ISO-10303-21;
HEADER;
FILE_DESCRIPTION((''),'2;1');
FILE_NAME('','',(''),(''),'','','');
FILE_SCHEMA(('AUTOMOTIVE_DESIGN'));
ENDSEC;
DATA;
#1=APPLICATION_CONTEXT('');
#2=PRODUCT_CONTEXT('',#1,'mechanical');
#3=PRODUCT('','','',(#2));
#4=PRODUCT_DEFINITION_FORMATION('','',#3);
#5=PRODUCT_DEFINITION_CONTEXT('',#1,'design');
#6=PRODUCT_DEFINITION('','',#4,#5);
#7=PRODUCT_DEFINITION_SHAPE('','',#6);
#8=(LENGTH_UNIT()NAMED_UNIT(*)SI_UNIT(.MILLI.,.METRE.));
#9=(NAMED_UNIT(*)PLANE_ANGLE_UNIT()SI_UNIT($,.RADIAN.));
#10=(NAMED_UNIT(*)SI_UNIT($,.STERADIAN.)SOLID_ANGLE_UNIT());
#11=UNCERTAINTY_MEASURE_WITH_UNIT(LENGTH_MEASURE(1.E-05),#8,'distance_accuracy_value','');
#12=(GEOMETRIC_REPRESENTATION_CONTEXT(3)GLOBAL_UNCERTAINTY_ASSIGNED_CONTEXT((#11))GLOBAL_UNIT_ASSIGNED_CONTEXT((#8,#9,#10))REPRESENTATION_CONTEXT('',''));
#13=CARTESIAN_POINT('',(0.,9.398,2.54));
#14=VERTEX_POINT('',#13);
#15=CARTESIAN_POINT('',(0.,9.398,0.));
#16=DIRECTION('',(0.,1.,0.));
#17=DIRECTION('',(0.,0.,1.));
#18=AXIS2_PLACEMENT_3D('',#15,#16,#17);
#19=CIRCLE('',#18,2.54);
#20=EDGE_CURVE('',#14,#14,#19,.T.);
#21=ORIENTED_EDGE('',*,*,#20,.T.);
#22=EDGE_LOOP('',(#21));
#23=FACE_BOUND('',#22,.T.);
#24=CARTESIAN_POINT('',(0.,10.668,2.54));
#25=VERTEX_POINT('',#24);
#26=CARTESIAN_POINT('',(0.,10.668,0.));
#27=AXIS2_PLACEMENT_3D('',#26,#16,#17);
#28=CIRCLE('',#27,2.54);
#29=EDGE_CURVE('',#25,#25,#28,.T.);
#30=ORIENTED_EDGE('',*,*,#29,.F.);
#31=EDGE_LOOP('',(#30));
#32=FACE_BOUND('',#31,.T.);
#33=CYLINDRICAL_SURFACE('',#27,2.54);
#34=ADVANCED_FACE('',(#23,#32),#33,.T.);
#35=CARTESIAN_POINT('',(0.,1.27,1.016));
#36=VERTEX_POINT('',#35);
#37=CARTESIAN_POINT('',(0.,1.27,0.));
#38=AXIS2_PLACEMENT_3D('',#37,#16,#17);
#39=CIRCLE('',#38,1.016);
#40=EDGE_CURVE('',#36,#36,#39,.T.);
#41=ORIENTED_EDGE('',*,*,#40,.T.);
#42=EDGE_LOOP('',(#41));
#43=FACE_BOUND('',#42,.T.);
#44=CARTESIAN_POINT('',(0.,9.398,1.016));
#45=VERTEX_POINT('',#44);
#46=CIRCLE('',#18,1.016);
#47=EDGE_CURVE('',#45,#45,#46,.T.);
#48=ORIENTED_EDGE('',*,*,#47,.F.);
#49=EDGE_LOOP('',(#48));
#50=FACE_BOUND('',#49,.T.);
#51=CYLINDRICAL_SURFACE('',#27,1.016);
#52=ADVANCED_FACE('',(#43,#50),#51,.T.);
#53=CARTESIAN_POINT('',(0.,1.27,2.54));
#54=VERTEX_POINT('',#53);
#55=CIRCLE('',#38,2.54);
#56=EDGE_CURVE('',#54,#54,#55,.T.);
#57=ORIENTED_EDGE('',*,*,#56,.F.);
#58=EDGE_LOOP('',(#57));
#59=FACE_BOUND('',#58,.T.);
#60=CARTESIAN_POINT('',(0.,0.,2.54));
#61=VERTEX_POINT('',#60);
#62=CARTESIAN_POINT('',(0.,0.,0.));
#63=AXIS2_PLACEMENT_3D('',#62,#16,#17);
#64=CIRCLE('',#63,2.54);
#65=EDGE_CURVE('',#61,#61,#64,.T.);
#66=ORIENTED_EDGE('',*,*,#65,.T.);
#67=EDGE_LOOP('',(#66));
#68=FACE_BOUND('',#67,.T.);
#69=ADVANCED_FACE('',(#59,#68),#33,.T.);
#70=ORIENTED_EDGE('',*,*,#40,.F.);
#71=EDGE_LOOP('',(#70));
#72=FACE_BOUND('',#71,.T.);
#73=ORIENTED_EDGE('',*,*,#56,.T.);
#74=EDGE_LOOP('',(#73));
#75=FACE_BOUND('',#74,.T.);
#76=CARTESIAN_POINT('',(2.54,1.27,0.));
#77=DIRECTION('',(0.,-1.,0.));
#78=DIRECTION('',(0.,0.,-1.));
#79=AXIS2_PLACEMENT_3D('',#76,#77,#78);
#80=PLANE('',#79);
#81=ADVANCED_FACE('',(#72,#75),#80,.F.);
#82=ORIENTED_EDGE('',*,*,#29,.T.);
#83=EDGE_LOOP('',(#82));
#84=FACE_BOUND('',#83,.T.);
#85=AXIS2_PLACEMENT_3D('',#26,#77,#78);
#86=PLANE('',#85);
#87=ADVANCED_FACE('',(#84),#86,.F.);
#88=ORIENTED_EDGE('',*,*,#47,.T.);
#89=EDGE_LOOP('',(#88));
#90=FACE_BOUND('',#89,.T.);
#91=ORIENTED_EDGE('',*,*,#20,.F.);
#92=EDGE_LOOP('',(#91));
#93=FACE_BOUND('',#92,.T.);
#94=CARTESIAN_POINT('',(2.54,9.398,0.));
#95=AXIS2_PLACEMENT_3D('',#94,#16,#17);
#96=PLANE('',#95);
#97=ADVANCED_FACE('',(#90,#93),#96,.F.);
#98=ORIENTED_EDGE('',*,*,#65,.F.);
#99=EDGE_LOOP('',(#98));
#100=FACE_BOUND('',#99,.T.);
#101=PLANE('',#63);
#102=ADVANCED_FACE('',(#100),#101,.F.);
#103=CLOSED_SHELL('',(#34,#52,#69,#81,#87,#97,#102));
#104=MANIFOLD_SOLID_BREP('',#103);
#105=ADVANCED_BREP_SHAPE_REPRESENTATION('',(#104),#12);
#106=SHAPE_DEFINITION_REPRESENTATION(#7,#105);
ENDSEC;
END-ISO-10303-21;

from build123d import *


with BuildPart() as part:
    # Sketch1 → Revolve1 (revolve)
    with BuildSketch(Plane.XY, mode=Mode.PRIVATE) as revolve1_sk:
        Polygon((0, 10.668), (0, 0), (2.54, 0), (2.54, 1.27), (1.016, 1.27), (1.016, 9.398), (2.54, 9.398), (2.54, 10.668), align=None)
    revolve(revolve1_sk.sketch.rotate(Axis((0, 10.668, 0), (0, -1, 0)), 90), axis=Axis((0, 10.668, 0), (0, -1, 0)))


solid = part.part
